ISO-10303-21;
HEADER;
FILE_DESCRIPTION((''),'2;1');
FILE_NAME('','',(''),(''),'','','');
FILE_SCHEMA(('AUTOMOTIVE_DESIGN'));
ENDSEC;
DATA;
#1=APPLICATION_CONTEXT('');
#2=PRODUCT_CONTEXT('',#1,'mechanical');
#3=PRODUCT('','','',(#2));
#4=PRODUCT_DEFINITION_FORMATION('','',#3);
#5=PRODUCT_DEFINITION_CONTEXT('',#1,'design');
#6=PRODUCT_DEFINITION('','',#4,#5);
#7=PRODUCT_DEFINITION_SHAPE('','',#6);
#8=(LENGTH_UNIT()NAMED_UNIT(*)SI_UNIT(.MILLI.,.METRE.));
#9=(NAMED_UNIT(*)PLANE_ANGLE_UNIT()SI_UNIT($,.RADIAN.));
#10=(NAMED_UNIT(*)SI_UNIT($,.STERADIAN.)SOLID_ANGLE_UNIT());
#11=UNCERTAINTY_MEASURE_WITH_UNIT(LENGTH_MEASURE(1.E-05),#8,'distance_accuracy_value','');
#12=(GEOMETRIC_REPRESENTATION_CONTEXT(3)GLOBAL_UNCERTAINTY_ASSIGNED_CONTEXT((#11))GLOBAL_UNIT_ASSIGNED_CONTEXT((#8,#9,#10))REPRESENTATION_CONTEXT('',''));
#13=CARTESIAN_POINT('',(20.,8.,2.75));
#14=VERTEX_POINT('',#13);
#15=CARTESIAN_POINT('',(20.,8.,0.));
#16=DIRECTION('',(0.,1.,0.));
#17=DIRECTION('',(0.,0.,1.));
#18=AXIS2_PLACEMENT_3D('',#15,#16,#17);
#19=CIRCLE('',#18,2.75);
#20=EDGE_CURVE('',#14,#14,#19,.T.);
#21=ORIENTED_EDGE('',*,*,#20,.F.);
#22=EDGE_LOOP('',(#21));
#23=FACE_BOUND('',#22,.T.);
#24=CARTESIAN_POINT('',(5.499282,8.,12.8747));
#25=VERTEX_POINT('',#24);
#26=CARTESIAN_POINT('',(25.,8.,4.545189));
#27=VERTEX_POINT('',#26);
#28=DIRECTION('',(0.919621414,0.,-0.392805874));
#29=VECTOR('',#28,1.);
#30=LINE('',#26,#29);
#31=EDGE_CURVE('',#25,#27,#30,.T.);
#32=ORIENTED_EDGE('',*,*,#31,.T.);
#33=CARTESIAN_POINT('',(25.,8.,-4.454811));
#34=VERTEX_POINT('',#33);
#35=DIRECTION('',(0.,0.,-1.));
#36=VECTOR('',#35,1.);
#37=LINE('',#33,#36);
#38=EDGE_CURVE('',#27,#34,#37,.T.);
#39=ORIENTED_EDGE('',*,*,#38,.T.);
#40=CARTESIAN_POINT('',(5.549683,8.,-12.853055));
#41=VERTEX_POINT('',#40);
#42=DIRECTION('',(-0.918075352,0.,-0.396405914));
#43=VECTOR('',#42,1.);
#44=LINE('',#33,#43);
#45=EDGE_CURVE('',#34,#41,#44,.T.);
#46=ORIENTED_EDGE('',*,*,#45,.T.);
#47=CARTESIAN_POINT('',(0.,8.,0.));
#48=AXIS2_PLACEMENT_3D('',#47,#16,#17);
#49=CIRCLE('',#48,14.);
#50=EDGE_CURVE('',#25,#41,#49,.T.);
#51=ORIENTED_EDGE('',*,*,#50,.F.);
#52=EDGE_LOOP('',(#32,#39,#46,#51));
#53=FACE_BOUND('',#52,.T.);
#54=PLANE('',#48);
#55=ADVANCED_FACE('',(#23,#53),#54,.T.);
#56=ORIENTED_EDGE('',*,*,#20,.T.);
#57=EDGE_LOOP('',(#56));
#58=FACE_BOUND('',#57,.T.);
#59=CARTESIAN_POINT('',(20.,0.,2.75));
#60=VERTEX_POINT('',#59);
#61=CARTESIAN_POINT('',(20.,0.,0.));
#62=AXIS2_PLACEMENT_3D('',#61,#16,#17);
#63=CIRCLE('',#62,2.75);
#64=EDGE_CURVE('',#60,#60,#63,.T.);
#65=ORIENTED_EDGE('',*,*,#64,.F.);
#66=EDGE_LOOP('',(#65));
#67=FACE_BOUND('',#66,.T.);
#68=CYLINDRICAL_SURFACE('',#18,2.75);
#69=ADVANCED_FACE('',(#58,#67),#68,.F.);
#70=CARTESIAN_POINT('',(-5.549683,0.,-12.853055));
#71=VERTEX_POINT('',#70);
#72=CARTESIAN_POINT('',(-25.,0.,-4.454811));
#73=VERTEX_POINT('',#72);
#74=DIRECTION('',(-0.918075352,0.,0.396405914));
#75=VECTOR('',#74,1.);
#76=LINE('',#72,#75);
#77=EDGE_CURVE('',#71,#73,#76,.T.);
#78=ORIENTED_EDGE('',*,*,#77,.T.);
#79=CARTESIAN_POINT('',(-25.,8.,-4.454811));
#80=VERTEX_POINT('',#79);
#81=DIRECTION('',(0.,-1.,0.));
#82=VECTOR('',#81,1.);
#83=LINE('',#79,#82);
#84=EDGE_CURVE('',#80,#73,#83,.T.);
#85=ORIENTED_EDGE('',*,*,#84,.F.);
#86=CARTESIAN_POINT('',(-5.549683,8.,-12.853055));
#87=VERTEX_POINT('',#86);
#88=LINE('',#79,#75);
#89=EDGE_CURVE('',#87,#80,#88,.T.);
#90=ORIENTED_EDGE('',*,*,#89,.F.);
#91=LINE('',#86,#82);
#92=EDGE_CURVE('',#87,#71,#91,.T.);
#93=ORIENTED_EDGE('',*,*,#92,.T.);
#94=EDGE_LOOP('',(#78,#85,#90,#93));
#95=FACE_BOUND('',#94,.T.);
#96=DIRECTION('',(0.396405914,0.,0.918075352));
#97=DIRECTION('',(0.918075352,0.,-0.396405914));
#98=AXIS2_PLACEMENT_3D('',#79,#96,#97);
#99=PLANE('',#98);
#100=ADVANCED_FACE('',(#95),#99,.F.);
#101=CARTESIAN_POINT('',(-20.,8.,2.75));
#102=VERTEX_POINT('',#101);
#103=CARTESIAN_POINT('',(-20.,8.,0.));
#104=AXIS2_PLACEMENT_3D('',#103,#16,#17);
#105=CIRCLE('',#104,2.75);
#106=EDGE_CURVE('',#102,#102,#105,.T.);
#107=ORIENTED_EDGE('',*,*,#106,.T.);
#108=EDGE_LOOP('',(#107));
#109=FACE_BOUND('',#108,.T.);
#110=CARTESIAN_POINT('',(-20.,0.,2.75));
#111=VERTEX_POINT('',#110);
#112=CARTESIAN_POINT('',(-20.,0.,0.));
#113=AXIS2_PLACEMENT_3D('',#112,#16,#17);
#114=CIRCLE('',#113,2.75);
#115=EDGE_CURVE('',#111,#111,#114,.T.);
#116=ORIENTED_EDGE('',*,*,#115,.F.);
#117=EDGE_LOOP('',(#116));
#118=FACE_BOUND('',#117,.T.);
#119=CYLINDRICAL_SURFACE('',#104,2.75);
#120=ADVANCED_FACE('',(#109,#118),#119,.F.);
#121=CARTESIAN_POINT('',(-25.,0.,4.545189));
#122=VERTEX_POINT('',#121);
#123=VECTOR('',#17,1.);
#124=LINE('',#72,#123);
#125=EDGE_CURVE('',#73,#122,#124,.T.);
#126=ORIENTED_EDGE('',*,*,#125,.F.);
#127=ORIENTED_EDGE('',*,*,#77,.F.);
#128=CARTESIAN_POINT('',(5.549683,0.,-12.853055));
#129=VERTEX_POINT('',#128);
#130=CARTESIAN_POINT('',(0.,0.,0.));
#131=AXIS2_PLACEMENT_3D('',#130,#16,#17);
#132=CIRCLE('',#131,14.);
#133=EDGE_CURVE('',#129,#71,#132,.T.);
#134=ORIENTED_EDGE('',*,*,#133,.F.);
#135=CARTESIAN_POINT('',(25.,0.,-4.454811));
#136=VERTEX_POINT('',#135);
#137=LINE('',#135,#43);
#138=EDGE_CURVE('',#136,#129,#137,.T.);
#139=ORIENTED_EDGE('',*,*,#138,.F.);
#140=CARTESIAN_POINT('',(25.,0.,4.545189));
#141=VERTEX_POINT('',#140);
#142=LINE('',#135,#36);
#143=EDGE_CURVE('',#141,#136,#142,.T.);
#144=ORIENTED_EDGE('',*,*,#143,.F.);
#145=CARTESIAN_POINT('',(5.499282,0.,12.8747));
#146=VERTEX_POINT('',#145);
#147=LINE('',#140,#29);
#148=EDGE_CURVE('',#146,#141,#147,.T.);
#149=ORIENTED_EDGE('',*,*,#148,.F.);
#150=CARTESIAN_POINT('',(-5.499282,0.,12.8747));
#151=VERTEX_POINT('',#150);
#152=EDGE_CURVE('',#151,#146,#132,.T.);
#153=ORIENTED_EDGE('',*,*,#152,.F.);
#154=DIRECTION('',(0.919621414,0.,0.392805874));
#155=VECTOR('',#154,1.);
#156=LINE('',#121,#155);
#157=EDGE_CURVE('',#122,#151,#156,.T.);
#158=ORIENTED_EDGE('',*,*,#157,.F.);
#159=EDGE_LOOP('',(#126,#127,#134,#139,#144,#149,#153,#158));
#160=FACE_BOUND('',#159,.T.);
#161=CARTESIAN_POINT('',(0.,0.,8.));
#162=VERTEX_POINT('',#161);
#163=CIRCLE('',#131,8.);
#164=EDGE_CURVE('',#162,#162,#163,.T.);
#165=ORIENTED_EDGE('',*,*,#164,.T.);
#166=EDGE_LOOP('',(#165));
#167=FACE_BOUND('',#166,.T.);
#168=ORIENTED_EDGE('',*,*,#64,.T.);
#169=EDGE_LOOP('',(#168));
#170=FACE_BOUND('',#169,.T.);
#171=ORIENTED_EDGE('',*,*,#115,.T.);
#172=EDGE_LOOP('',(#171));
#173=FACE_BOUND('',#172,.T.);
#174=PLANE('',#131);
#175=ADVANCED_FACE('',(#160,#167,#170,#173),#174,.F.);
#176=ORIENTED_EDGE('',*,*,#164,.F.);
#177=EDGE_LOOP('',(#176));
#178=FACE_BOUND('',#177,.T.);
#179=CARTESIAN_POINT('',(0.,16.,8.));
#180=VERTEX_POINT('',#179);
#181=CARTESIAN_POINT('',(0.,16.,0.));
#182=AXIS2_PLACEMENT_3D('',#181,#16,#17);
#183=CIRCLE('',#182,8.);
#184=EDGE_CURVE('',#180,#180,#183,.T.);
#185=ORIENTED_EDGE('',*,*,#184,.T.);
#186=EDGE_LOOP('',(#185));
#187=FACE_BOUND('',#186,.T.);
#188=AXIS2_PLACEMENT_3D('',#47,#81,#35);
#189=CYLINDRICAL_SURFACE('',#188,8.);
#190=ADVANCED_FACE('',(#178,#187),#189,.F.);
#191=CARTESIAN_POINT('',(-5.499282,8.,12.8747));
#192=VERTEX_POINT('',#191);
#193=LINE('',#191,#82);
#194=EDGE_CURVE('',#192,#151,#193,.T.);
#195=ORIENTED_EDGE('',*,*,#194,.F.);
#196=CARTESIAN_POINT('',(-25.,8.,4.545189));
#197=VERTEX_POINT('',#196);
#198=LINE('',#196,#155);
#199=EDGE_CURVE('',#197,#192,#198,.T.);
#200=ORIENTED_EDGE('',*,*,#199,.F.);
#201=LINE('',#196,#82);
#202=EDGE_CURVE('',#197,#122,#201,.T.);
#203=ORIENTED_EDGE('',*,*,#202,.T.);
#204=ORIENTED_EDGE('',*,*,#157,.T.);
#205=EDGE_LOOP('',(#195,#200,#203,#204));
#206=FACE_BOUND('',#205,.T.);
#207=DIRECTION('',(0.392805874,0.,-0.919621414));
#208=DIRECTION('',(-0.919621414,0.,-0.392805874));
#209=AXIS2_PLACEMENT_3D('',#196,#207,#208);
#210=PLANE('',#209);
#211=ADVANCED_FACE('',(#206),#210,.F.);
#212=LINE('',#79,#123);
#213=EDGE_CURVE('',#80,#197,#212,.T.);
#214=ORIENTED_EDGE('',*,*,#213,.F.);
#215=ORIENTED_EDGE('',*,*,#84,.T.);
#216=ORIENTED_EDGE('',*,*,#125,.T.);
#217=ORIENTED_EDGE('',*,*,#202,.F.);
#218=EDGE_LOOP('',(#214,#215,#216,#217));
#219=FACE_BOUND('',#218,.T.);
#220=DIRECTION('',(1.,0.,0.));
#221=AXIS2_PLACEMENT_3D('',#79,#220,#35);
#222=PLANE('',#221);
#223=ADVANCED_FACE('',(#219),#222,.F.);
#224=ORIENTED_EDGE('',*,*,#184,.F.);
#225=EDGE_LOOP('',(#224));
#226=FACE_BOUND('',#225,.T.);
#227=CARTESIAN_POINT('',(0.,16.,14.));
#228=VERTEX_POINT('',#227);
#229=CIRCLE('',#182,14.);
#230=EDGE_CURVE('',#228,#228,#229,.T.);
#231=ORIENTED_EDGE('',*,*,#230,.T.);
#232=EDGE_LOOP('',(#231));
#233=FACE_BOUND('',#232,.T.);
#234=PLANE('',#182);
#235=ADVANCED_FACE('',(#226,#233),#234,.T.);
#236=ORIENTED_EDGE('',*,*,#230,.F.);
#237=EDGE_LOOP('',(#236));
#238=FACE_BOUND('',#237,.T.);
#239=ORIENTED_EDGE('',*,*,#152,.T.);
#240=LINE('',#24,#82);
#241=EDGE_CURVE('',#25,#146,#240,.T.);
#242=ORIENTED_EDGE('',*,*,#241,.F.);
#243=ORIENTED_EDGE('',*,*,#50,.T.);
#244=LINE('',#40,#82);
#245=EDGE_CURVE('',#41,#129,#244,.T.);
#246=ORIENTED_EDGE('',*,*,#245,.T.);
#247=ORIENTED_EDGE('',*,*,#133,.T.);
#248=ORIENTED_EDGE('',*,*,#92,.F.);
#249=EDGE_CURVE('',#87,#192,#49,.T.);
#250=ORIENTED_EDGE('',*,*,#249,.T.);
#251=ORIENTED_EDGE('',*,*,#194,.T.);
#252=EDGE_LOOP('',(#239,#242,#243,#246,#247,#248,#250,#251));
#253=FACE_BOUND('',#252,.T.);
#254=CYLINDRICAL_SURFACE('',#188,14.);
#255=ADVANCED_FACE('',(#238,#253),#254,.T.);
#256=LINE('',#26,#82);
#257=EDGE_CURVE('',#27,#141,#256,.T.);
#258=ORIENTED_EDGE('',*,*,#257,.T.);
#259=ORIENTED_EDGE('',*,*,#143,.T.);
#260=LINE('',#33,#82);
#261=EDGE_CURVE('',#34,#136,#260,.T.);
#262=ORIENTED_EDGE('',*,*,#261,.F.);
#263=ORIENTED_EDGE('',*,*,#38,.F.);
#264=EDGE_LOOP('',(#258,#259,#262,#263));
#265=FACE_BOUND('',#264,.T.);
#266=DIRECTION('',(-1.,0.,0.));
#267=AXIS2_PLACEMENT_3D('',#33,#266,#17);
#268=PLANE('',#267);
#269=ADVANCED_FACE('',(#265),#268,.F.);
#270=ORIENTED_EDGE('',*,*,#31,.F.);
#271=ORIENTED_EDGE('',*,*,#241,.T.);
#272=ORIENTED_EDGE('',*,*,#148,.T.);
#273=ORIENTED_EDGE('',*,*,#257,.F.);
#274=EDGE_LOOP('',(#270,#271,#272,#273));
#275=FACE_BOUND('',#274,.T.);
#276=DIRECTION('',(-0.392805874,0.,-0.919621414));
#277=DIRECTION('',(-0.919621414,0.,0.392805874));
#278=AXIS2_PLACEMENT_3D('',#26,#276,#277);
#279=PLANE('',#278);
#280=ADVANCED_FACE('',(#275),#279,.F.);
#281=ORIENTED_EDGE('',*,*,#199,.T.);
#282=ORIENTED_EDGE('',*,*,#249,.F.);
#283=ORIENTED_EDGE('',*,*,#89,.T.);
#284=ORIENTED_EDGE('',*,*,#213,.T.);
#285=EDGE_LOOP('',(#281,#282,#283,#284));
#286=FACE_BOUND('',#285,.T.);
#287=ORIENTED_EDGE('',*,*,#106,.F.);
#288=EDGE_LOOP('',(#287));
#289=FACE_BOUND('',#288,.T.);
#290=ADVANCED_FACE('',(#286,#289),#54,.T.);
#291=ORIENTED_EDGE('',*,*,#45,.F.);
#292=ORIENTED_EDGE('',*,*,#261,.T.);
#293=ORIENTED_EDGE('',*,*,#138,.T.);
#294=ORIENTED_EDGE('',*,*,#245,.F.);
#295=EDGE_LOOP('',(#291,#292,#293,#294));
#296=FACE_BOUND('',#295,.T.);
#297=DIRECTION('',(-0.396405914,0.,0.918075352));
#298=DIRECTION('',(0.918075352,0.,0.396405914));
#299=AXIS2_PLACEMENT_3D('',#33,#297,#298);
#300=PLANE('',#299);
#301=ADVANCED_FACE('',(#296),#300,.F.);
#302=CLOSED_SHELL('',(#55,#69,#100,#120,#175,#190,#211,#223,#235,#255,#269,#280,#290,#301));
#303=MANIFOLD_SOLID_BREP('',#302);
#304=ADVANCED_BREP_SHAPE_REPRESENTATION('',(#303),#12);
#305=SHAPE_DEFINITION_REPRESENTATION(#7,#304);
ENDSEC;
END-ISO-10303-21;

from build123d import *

# Parameters (mm, degrees)
SKETCH_1_R         = 8
EXTRUDE_1_DEPTH    = 8
SKETCH_2_R         = 14
SKETCH_2_R_2       = 8
EXTRUDE_2_DEPTH    = 8
HOLE_WIZARD_M5_1_D = 5.5


with BuildPart() as part:
    # 草图1 → 凸台-拉伸1 (new body)
    with BuildSketch(Plane(origin=(0, 0, 0), x_dir=(1, 0, 0), z_dir=(0, 1, 0))):
        with BuildLine():
            Line((-25, 4.45481098), (-25, -4.54518902))
            Line((-25, -4.54518902), (-5.499282233, -12.874699799))
            ThreePointArc((-5.499282233, -12.874699799), (0, -14), (5.499282233, -12.874699799))
            Line((5.499282233, -12.874699799), (25, -4.54518902))
            Line((25, -4.54518902), (25, 4.45481098))
            Line((25, 4.45481098), (5.549682792, 12.853054925))
            ThreePointArc((5.549682792, 12.853054925), (0, 14), (-5.549682792, 12.853054925))
            Line((-5.549682792, 12.853054925), (-25, 4.45481098))
        make_face()
        with Locations(Location((0, 0, 0), (0, 0, 270))):
            Circle(SKETCH_1_R, mode=Mode.SUBTRACT)
    extrude(amount=EXTRUDE_1_DEPTH)

    # 草图2 → 凸台-拉伸2 (add)
    with BuildSketch(Plane(origin=(0, 8, 0), x_dir=(1, 0, 0), z_dir=(0, 1, 0))):
        with Locations(Location((0, 0, 0), (0, 0, 113.353686186))):
            Circle(SKETCH_2_R)
        with Locations(Location((0, 0, 0), (0, 0, 270))):
            Circle(SKETCH_2_R_2, mode=Mode.SUBTRACT)
    extrude(amount=EXTRUDE_2_DEPTH)

    # M5 间隙孔1 (through all)
    with Locations(Plane(origin=(0, 8, 0), x_dir=(1, 0, 0), z_dir=(0, 1, 0))):
        with Locations((-20, 0), (20, 0)):
            Hole(HOLE_WIZARD_M5_1_D / 2)


solid = part.part
